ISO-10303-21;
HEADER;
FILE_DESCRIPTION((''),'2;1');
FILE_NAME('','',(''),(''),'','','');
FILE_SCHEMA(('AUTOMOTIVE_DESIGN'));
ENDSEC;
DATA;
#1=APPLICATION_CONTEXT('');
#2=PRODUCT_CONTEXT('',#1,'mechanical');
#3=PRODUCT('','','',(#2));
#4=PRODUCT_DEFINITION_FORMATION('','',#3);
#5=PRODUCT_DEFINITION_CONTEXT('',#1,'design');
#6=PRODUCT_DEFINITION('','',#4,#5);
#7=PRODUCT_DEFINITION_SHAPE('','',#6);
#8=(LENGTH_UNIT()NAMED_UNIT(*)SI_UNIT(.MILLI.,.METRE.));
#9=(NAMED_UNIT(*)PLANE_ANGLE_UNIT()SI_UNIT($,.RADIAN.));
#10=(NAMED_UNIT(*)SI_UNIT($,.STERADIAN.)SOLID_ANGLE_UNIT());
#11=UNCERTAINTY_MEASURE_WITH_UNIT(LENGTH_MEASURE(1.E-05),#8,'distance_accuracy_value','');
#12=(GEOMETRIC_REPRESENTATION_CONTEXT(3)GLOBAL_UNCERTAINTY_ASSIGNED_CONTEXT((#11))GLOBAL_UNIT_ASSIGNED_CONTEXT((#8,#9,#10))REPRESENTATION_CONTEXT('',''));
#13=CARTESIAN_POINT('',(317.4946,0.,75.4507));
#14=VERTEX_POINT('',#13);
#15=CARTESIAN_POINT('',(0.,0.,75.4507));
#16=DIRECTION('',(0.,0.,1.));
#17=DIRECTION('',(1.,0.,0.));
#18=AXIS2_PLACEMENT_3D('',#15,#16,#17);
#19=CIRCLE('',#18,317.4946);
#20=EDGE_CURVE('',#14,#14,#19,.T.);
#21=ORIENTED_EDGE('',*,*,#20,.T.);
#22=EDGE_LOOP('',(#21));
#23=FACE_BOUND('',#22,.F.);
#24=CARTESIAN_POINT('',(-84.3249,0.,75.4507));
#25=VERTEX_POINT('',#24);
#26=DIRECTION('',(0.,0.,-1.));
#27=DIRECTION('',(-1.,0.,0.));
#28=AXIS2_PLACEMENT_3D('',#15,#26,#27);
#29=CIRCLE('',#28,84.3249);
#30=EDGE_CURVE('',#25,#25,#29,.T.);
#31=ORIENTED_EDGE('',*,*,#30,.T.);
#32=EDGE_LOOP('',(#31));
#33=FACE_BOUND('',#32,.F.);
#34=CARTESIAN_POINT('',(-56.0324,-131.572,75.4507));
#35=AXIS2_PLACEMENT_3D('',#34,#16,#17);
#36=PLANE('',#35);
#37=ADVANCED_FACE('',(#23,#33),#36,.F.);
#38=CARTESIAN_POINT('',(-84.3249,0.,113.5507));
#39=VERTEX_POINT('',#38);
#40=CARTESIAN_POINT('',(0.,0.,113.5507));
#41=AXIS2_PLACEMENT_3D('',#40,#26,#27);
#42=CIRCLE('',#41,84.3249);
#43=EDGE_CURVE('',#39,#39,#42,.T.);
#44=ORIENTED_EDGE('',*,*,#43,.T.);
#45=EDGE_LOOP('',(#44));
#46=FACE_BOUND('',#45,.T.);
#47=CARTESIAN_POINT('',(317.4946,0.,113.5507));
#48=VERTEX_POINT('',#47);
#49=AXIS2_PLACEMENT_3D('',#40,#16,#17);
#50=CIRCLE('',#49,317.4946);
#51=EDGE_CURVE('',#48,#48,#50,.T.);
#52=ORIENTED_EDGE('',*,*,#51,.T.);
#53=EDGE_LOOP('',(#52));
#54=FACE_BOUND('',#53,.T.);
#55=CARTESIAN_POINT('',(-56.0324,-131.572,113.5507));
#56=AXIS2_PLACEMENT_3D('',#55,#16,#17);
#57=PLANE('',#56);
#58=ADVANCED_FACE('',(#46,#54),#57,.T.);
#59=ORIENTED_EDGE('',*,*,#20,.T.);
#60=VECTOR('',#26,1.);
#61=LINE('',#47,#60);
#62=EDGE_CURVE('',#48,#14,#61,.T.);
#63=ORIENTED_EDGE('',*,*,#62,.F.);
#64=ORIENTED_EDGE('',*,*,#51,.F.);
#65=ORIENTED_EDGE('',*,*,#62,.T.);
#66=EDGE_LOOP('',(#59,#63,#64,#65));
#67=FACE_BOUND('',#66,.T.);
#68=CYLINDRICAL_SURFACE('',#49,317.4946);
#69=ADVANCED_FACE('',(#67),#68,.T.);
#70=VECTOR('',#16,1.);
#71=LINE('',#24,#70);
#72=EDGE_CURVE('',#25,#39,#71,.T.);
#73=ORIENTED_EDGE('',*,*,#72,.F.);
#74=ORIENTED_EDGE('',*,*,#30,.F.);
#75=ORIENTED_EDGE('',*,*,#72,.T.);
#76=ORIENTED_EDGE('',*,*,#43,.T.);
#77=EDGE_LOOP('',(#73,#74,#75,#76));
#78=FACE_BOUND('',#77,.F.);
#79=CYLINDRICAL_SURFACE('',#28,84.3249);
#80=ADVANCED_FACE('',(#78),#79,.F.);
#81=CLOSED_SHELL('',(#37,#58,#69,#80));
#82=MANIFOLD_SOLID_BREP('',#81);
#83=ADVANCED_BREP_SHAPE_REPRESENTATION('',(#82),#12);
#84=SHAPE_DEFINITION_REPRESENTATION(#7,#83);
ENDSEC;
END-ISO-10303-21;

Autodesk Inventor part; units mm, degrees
ref_plane "YZ Plane" through (0, 0, 0) normal (1, 0, 0) x (0, 1, 0)
ref_plane "XZ Plane" through (0, 0, 0) normal (0, 1, 0) x (-1, 0, 0)
ref_plane "Work Plane2" through (-56.0324, -131.572, 113.5507) normal (0, 0, 1) x (1, 0, 0)
sketch "Sketch2" plane through (-56.0324, -131.572, 113.5507) normal (0, 0, 1) x (1, 0, 0)
  circle A0 centre (56.0324, 131.572) radius 317.4946
extrude "Extrusion1" add sketch "Sketch2" against normal blind 38.1
sketch "Sketch3" plane through (0, 0, 75.4507) normal (0, 0, -1) x (-1, 0, 0)
  circle A0 centre (0, 0) radius 84.3249
extrude "Extrusion2" cut sketch "Sketch3" along normal mid plane 254
properties part number "GarminQuarterTurn" material "ABS Plastic"
